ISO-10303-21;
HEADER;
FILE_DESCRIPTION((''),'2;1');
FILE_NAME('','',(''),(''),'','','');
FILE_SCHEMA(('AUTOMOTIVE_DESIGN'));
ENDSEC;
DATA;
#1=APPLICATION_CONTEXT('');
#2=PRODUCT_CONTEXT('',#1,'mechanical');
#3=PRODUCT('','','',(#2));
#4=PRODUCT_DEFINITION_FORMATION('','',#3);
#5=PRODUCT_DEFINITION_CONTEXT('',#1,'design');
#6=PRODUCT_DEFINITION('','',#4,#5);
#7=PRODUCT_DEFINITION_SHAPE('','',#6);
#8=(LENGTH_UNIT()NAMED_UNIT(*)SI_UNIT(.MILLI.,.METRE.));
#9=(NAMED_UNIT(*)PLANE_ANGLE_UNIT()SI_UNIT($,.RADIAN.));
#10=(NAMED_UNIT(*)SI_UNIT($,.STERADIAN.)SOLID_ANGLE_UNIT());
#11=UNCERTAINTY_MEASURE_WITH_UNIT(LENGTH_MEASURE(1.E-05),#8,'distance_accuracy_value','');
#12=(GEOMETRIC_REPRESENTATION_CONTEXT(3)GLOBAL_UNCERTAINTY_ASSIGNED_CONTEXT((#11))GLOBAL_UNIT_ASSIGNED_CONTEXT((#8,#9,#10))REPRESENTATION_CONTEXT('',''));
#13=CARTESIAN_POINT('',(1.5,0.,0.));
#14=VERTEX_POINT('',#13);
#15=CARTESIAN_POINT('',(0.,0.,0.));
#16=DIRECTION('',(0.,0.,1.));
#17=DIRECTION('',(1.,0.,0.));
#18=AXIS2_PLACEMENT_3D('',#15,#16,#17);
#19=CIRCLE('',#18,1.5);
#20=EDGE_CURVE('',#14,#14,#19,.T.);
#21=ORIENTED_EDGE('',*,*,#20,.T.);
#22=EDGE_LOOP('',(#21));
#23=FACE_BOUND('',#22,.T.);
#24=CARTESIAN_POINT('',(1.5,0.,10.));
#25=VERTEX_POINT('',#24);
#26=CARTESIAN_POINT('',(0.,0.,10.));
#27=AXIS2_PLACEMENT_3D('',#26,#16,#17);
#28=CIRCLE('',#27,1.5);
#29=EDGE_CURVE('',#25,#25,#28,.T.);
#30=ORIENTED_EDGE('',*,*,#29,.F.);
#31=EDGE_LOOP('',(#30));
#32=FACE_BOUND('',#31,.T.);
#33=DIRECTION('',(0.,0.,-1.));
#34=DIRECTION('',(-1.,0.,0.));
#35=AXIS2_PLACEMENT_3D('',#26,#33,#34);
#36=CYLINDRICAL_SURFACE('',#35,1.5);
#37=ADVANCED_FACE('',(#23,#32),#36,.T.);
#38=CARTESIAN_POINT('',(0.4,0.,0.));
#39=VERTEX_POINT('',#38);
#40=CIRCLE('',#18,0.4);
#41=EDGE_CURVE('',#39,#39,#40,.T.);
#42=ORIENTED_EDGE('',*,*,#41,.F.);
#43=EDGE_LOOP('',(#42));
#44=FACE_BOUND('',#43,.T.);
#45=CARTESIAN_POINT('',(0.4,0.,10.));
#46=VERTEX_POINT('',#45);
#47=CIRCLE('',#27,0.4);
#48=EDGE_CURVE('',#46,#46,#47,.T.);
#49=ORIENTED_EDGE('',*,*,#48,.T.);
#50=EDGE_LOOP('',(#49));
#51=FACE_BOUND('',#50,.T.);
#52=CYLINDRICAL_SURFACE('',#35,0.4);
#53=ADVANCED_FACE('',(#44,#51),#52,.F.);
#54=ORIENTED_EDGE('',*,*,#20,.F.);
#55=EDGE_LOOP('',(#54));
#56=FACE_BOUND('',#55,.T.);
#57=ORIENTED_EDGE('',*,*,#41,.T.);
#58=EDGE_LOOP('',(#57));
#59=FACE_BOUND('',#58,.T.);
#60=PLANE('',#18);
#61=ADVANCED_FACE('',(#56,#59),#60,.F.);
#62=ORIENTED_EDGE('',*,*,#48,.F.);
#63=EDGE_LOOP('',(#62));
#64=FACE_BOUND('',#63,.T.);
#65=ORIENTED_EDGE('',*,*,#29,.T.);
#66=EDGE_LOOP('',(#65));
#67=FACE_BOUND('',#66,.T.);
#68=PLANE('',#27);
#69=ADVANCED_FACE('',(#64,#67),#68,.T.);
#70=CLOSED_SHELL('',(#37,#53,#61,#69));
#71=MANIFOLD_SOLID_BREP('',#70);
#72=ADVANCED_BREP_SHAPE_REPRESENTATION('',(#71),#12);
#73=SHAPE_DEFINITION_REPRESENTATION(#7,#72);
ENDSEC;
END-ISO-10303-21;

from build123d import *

# Parameters (mm, degrees)
SKETCH_1_R      = 1.5
SKETCH_1_R_2    = 0.4
EXTRUDE_1_DEPTH = 10


with BuildPart() as part:
    # Эскиз1 → Бобышка-Вытянуть1 (new body)
    with BuildSketch(Plane.XY):
        Circle(SKETCH_1_R)
        Circle(SKETCH_1_R_2, mode=Mode.SUBTRACT)
    extrude(amount=EXTRUDE_1_DEPTH)


solid = part.part
